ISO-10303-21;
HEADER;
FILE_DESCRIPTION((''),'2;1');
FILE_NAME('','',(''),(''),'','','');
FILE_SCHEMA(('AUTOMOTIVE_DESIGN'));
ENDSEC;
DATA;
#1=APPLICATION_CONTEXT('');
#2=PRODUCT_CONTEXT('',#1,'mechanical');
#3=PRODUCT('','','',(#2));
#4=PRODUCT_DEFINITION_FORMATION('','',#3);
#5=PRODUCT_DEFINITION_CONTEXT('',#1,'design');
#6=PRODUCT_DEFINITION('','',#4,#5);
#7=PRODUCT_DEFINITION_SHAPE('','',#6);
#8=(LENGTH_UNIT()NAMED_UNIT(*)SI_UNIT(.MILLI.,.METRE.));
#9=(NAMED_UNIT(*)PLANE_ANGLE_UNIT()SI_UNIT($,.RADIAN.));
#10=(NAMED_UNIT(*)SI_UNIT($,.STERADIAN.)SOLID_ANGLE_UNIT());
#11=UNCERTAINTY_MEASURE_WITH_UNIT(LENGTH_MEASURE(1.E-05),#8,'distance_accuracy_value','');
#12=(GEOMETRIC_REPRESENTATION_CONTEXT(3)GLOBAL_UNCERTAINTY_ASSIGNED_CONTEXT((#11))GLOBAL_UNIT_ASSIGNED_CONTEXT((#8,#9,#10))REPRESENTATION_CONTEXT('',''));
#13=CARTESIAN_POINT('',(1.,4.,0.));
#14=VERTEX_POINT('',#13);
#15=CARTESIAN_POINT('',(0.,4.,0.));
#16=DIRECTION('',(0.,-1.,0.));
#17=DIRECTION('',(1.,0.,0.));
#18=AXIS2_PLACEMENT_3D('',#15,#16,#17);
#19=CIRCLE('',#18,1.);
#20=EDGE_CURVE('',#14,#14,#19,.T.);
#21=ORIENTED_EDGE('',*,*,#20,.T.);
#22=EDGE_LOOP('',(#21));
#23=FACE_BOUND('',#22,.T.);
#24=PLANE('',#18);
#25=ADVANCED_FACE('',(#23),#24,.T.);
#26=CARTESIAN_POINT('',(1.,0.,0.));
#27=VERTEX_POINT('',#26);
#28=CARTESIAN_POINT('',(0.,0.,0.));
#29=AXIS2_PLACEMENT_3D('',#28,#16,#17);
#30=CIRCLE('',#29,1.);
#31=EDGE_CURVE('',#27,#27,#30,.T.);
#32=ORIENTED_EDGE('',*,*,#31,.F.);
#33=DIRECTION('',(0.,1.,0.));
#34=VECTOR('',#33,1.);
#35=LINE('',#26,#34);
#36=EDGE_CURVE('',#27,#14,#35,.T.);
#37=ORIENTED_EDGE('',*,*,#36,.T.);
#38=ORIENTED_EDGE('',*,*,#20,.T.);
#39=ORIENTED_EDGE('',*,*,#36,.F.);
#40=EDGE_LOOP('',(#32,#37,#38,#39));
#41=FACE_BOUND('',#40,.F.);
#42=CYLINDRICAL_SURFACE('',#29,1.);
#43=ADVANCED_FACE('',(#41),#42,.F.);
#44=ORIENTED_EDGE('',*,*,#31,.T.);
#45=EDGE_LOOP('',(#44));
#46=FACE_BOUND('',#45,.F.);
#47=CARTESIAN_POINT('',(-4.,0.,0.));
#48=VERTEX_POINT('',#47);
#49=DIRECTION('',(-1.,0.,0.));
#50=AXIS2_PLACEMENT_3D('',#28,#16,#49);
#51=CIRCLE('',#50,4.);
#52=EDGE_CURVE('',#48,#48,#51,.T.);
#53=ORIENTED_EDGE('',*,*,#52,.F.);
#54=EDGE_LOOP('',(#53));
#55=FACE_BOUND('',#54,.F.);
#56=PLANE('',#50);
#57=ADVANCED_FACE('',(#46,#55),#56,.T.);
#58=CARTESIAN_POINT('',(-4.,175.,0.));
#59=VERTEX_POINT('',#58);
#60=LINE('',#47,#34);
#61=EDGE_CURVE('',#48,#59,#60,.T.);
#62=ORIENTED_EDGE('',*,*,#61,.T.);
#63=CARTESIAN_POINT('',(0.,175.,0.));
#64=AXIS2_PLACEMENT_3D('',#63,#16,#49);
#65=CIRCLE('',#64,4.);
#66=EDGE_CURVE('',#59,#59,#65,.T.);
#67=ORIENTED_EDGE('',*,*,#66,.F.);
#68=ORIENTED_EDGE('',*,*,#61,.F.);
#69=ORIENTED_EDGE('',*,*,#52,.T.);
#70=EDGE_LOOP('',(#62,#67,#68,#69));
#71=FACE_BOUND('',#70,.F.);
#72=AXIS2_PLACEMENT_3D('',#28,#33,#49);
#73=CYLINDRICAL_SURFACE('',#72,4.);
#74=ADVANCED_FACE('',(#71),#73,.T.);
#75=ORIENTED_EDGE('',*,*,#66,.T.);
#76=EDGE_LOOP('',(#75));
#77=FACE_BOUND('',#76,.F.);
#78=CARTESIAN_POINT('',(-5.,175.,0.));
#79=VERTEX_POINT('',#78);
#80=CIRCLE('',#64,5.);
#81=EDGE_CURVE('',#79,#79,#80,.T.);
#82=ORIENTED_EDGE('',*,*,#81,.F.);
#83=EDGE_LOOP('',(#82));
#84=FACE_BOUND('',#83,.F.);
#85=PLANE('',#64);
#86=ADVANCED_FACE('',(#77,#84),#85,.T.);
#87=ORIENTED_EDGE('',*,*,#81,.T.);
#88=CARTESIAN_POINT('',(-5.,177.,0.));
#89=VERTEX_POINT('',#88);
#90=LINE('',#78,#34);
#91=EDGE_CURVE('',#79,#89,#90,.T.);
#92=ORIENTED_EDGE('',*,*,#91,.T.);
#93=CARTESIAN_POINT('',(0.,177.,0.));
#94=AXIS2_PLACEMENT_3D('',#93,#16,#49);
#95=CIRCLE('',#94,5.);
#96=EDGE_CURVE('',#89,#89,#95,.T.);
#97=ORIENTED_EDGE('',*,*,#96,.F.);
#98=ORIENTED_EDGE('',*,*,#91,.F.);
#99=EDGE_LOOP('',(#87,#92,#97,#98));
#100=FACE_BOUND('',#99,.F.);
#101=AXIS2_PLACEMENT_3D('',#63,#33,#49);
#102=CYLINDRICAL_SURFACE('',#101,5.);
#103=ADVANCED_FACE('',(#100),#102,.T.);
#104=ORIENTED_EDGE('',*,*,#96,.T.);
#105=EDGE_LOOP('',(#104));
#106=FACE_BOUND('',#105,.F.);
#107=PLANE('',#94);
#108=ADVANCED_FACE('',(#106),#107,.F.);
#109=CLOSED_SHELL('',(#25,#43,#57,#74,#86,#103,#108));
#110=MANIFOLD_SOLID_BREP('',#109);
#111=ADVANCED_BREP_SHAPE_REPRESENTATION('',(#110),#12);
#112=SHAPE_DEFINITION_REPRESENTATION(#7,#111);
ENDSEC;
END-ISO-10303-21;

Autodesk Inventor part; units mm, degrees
ref_plane "YZ Plane" through (0, 0, 0) normal (1, 0, 0) x (0, 1, 0)
ref_plane "XZ Plane" through (0, 0, 0) normal (0, 1, 0) x (-1, 0, 0)
ref_plane "XY Plane" through (0, 0, 0) normal (0, 0, 1) x (1, 0, 0)
sketch "Szkic1" plane through (0, 0, 0) normal (0, 0, 1) x (1, 0, 0)
  line L0 (0, 0) -> (-4, 0)
  line L1 (-4, 0) -> (-4, 175)
  line L2 (-4, 175) -> (0, 175)
  line L3 (0, 175) -> (0, 0)
  line L4 (-4, 175) -> (-5, 175)
  line L5 (-5, 175) -> (-5, 177)
  line L6 (-5, 177) -> (0, 177)
  line L7 (0, 177) -> (0, 175)
  dimension "d0" = 175
  dimension "d1" = 4
  dimension "d14" = 1
  dimension "d15" = 2
revolve "Obrót5" add sketch "Szkic1" angle 360 about axis through (0, 175, 0) along (0, -1, 0)
sketch "Szkic2" plane through (0, 0, 0) normal (0, -1, 0) x (1, 0, 0)
  circle A0 centre (0, 0) radius 1
  dimension "d17" = 2
extrude "Wyciągnięcie proste1" cut sketch "Szkic2" against normal blind 4
properties part number "q1_Drukowanie 3D"
